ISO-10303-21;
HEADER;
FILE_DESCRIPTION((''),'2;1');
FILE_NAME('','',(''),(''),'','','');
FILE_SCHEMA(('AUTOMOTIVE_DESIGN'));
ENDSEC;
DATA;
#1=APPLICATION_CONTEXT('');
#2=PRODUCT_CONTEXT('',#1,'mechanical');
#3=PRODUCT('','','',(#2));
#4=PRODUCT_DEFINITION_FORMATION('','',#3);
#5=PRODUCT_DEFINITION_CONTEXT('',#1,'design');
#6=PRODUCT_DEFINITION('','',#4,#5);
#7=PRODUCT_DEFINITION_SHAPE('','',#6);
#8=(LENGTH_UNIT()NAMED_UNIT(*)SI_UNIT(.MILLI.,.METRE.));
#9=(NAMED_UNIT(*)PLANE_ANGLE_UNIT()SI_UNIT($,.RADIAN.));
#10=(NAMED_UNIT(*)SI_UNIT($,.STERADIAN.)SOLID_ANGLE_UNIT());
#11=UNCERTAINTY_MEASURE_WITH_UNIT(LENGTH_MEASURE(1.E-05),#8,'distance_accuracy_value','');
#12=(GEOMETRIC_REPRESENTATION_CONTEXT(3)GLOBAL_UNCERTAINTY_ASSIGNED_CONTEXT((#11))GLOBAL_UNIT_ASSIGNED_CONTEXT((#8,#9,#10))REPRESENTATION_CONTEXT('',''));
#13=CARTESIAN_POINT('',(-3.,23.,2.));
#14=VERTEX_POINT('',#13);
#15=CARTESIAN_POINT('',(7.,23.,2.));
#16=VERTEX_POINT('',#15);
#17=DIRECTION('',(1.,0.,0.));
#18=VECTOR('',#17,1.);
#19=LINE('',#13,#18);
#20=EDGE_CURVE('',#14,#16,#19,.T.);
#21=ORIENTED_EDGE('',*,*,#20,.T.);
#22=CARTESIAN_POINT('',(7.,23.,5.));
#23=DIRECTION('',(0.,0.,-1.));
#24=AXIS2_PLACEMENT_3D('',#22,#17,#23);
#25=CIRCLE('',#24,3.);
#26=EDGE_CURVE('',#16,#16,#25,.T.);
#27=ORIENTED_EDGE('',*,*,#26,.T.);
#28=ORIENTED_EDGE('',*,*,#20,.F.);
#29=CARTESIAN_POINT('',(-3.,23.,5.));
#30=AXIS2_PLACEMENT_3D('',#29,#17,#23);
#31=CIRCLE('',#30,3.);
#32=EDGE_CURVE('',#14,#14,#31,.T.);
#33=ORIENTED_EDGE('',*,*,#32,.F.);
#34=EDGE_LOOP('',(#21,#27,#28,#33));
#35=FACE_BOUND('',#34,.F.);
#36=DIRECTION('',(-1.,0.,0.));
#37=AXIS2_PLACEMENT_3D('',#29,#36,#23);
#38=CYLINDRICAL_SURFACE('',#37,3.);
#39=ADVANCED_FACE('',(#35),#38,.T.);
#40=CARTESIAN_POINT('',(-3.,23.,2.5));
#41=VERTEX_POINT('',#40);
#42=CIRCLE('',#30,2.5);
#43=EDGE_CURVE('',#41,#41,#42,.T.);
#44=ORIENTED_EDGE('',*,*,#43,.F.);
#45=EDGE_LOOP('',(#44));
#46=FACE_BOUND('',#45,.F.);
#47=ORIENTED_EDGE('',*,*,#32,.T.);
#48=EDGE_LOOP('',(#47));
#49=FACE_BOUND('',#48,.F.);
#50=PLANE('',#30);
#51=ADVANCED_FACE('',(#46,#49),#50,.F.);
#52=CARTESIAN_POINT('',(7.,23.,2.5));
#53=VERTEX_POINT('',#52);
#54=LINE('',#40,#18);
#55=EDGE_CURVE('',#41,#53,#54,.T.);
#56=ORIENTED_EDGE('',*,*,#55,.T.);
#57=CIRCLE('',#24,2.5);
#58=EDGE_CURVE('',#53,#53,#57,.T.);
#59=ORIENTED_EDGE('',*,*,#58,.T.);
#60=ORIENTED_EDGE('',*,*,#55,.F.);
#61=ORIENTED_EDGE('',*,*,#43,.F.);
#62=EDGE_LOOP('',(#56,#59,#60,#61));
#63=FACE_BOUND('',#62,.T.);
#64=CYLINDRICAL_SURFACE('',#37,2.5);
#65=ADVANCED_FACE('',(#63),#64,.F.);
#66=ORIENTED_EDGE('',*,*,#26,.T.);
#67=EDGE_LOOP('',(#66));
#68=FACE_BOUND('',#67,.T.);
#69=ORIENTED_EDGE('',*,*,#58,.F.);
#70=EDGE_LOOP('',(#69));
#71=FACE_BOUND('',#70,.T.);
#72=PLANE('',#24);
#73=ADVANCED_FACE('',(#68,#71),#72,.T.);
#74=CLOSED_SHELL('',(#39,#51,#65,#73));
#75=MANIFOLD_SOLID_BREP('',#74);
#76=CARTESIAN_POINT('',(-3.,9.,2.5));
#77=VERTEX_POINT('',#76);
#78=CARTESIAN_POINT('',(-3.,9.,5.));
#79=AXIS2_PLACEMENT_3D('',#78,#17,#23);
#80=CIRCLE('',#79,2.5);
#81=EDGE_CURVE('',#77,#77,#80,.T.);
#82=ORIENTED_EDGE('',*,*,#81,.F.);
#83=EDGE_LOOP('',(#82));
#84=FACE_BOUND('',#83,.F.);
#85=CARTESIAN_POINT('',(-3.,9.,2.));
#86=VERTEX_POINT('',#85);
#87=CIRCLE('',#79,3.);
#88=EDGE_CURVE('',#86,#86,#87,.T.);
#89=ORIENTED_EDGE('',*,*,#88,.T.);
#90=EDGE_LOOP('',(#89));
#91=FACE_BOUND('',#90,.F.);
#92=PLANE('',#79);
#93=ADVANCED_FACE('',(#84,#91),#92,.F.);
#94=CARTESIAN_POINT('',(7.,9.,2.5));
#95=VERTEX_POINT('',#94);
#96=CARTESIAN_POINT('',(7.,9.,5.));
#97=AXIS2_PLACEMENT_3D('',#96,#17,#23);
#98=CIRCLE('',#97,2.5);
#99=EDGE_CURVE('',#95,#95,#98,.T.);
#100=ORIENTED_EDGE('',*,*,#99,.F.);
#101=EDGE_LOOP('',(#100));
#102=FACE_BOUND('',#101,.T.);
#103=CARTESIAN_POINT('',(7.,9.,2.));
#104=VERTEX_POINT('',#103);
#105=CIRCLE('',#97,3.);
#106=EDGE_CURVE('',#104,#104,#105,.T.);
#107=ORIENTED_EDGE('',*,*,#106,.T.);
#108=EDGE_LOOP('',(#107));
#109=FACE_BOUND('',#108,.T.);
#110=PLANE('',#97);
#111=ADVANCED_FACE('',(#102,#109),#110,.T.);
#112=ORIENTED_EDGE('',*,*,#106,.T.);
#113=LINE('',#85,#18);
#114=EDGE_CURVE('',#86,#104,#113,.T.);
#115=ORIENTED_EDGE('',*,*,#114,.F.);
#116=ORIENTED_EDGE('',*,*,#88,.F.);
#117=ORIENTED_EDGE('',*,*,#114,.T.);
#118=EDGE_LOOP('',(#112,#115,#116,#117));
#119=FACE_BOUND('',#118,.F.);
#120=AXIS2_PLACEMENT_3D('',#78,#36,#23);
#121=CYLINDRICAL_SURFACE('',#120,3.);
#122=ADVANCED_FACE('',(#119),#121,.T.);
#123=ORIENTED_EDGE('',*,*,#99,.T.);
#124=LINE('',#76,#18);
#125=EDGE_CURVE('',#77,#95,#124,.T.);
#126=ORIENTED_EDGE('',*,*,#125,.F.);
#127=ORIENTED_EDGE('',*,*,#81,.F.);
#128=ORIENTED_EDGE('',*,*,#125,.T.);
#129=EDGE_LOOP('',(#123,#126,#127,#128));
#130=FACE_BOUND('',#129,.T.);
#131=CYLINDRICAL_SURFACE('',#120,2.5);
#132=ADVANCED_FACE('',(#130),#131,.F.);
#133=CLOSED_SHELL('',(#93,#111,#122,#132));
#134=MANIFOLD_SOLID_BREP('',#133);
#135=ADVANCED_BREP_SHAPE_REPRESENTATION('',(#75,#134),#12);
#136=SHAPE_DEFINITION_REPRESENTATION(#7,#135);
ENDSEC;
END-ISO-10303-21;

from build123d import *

# Parameters (mm, degrees)
CYLINDER_R              = 2.5
CYLINDER_DEPTH          = 10
CYLINDER_PITCH_ANGLE    = 90
CYLINDER002_R           = 3
CYLINDER002_DEPTH       = 10
CYLINDER002_PITCH_ANGLE = 90
CYLINDER001_R           = 2.5
CYLINDER001_DEPTH       = 10
CYLINDER001_PITCH_ANGLE = 90
CYLINDER003_R           = 3
CYLINDER003_DEPTH       = 10
CYLINDER003_PITCH_ANGLE = 90


with BuildPart() as cilindro:
    # Cylinder → Cylinder (new body)
    with BuildSketch(Plane.XY):
        Circle(CYLINDER_R)
    extrude(amount=CYLINDER_DEPTH)


with BuildPart() as cilindro_1:
    # Cylinder pitch: moved
    add(cilindro.part.rotate(Axis((0, 0, 0), (0, 1, 0)), CYLINDER_PITCH_ANGLE))


with BuildPart() as cilindro_2:
    # Cylinder placement: moved
    add(cilindro_1.part.moved(Location((-3, 9, 5))))


with BuildPart() as cut001:
    # Cylinder002 → Cylinder002 (new body)
    with BuildSketch(Plane.XY):
        Circle(CYLINDER002_R)
    extrude(amount=CYLINDER002_DEPTH)


with BuildPart() as cut001_1:
    # Cylinder002 pitch: moved
    add(cut001.part.rotate(Axis((0, 0, 0), (0, 1, 0)), CYLINDER002_PITCH_ANGLE))


with BuildPart() as cut001_2:
    # Cylinder002 placement: moved
    add(cut001_1.part.moved(Location((-3, 9, 5))))

    # Cut001: cut Cilindro
    add(cilindro_2.part, mode=Mode.SUBTRACT)


with BuildPart() as cilindro001:
    # Cylinder001 → Cylinder001 (new body)
    with BuildSketch(Plane.XY):
        Circle(CYLINDER001_R)
    extrude(amount=CYLINDER001_DEPTH)


with BuildPart() as cilindro001_1:
    # Cylinder001 pitch: moved
    add(cilindro001.part.rotate(Axis((0, 0, 0), (0, 1, 0)), CYLINDER001_PITCH_ANGLE))


with BuildPart() as cilindro001_2:
    # Cylinder001 placement: moved
    add(cilindro001_1.part.moved(Location((-3, 23, 5))))


with BuildPart() as jacks:
    # Cylinder003 → Cylinder003 (new body)
    with BuildSketch(Plane.XY):
        Circle(CYLINDER003_R)
    extrude(amount=CYLINDER003_DEPTH)


with BuildPart() as jacks_1:
    # Cylinder003 pitch: moved
    add(jacks.part.rotate(Axis((0, 0, 0), (0, 1, 0)), CYLINDER003_PITCH_ANGLE))


with BuildPart() as jacks_2:
    # Cylinder003 placement: moved
    add(jacks_1.part.moved(Location((-3, 23, 5))))

    # Cut: cut Cilindro001
    add(cilindro001_2.part, mode=Mode.SUBTRACT)

    # Fusion001: union Cut001
    add(cut001_2.part)


solid = jacks_2.part
